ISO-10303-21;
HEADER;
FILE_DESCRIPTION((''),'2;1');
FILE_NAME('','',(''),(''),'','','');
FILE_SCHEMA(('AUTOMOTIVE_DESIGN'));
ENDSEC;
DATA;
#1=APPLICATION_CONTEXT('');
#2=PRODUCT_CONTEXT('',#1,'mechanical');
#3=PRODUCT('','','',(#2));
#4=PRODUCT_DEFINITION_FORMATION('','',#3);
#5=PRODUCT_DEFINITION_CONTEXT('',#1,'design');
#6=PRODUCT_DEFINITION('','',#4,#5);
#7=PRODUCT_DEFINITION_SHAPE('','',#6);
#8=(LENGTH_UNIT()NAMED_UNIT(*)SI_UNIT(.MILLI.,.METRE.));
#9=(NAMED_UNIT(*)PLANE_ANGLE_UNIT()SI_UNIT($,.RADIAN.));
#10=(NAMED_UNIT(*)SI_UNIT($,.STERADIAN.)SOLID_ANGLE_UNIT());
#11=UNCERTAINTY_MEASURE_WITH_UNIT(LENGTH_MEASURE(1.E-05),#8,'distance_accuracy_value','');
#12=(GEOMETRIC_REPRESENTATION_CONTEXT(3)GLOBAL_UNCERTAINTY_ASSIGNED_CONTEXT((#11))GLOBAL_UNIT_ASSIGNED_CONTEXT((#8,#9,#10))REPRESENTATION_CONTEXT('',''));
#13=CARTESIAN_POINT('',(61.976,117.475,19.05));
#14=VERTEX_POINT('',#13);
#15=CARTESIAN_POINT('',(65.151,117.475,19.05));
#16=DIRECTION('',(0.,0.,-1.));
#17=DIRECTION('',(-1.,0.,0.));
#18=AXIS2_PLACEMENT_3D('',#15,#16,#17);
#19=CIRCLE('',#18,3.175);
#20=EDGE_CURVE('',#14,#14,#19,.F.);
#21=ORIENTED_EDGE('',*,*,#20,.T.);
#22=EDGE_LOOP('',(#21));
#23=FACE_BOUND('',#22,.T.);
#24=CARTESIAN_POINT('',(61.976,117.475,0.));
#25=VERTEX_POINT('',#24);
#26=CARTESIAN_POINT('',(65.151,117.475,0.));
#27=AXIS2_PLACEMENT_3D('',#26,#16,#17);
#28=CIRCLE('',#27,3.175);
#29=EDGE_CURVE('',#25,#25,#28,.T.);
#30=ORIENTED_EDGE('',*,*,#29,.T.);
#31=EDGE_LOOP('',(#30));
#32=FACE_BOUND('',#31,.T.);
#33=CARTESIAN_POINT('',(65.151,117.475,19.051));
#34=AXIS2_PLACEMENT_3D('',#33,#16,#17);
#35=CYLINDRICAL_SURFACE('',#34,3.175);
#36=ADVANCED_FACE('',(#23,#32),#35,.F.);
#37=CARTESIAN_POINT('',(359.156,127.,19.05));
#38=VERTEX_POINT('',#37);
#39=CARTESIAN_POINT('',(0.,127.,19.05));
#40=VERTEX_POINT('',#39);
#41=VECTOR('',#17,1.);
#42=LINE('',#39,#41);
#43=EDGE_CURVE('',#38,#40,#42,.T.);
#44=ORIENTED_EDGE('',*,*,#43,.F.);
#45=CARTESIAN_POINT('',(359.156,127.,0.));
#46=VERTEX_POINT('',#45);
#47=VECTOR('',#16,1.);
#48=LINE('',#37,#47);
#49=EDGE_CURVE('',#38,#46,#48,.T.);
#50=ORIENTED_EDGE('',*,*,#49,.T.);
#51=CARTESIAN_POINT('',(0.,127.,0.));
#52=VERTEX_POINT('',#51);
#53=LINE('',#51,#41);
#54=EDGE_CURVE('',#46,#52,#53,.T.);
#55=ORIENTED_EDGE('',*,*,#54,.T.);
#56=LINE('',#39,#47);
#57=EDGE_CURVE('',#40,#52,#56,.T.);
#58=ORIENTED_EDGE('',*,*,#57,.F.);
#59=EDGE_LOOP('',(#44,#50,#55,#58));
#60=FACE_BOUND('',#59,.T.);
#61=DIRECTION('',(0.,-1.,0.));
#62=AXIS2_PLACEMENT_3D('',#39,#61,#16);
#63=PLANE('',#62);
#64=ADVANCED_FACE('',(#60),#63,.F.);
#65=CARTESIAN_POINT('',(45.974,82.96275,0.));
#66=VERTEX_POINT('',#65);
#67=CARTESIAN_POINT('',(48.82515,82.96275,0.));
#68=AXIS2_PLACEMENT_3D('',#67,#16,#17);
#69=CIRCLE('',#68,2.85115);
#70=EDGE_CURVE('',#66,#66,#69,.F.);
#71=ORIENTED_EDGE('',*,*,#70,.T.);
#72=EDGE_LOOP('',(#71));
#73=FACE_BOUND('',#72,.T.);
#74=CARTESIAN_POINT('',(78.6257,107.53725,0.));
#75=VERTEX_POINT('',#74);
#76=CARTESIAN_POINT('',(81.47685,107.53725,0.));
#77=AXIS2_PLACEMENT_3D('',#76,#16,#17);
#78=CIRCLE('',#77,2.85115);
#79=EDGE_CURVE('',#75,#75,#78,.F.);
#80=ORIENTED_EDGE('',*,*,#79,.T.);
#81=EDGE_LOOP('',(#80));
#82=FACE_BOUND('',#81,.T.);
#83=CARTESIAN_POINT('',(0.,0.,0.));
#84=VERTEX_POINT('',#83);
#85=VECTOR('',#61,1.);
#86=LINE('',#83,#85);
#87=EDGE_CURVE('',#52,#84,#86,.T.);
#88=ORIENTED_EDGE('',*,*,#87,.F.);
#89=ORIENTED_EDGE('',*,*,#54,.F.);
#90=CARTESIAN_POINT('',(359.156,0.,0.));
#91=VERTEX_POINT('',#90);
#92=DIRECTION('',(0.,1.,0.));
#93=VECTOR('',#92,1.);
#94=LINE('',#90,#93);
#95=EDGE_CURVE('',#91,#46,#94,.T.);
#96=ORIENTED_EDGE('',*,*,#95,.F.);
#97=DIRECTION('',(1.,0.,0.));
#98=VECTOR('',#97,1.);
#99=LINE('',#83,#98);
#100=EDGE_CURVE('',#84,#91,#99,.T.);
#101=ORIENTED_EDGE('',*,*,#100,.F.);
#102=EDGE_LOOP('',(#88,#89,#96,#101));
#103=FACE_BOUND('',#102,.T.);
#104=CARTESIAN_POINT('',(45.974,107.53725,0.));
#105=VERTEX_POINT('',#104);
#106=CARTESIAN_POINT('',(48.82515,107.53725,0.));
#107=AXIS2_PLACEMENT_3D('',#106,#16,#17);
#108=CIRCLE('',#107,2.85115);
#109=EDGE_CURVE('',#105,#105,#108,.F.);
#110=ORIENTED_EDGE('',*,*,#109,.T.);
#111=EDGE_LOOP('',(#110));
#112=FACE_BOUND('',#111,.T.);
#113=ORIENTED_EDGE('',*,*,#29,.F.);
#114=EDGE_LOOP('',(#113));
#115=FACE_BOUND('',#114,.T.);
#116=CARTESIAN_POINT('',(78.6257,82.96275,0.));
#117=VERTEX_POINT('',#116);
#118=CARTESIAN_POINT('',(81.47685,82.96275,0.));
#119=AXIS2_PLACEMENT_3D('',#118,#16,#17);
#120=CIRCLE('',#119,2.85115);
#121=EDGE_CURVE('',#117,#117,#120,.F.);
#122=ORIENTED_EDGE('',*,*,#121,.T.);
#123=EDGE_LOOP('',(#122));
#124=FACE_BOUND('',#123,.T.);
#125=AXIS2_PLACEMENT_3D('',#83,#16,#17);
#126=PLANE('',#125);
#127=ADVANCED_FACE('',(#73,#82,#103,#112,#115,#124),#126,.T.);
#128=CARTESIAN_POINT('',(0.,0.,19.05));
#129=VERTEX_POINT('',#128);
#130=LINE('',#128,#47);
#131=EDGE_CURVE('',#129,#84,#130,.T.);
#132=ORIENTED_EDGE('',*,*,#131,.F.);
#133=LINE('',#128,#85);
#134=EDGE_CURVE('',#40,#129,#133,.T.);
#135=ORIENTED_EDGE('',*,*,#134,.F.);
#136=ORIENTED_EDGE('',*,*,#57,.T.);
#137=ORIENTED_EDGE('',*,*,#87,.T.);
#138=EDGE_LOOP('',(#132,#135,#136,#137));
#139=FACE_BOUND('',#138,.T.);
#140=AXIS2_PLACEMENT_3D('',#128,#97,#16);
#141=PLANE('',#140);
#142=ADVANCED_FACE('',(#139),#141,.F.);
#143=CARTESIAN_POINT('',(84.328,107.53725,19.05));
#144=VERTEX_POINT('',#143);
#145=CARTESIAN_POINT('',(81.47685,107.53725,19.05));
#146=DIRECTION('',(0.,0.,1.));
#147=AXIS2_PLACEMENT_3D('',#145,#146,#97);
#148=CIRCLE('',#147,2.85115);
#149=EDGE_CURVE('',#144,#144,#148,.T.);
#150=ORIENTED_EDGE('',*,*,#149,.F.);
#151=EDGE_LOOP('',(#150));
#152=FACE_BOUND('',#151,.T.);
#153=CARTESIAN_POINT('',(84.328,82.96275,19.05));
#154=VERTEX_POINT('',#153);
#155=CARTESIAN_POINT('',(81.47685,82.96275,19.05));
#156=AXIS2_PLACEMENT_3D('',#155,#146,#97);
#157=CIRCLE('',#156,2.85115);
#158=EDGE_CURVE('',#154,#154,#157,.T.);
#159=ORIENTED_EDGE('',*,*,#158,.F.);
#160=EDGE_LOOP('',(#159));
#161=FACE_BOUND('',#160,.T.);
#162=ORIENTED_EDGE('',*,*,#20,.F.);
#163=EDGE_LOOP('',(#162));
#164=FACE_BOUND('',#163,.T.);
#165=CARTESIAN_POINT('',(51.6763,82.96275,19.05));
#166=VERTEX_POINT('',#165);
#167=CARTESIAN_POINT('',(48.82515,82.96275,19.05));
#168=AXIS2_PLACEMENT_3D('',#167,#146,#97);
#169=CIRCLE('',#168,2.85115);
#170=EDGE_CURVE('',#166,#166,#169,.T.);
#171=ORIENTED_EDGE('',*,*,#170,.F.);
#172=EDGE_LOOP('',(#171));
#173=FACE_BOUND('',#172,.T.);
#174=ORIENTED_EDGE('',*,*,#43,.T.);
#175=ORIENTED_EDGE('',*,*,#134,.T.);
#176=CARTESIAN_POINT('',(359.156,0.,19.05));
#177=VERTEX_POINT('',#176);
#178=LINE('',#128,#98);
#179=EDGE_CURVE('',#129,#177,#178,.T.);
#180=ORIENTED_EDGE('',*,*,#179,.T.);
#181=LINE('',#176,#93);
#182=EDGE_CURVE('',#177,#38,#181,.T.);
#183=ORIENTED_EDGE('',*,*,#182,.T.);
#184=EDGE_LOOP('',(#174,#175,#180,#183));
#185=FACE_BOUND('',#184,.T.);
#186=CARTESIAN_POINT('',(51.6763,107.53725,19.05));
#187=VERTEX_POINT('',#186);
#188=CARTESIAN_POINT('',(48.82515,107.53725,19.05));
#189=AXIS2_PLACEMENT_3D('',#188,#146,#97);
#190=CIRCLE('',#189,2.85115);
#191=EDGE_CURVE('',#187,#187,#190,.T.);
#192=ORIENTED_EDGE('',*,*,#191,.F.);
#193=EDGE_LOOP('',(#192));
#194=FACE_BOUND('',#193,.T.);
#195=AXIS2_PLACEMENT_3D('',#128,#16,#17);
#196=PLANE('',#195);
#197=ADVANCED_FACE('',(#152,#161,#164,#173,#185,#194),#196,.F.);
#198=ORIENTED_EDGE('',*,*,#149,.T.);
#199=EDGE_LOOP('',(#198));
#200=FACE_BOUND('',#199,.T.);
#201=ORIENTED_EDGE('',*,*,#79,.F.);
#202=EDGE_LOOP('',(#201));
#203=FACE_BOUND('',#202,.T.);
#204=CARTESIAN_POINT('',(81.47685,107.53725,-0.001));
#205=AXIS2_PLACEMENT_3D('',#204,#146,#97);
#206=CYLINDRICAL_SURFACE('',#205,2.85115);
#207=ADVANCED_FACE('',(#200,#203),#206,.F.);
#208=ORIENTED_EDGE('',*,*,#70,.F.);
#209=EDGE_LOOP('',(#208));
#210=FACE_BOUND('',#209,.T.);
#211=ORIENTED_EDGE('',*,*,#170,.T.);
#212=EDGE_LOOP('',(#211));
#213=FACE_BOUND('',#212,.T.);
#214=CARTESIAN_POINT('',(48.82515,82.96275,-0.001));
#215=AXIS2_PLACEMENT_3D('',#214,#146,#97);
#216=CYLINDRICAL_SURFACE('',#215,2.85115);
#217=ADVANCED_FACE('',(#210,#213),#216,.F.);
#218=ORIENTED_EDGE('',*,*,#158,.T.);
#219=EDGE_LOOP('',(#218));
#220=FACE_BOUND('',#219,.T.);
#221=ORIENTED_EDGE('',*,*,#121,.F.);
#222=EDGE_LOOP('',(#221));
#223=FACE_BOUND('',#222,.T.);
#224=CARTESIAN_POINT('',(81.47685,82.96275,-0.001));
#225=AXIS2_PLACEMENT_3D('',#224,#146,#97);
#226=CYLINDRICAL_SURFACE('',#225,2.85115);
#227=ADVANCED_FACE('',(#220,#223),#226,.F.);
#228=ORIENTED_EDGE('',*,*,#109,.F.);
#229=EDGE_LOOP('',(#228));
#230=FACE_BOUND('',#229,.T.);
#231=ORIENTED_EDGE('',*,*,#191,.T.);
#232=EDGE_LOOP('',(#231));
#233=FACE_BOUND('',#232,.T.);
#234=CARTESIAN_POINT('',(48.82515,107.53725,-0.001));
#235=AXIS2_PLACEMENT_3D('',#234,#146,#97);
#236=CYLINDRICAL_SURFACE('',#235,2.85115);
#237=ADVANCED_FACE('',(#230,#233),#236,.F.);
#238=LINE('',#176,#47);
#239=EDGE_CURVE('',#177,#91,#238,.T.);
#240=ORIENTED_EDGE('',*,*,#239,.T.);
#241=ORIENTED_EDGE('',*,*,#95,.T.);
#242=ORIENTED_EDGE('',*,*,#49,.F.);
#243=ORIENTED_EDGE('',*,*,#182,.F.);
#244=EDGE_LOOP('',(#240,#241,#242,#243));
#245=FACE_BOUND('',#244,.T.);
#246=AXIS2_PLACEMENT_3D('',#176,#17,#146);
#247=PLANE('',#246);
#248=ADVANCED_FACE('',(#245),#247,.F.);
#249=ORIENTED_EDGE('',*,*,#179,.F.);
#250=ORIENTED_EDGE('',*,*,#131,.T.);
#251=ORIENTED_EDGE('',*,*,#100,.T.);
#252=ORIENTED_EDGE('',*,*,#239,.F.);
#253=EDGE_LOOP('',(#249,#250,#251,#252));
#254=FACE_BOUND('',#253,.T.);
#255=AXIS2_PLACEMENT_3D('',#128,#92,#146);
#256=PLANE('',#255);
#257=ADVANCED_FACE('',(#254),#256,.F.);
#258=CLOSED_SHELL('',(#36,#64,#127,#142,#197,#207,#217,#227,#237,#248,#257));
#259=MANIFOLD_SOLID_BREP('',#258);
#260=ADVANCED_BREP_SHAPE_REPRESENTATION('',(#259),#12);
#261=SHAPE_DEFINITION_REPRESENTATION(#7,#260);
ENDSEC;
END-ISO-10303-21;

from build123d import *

# Parameters (mm, degrees)
SKETCH1_W           = 359.156
SKETCH1_H           = 127
BOSS_EXTRUDE1_DEPTH = 19.05
CUT_EXTRUDE1_REACH  = 21.05
SKETCH2_R           = 2.85115
CUT_EXTRUDE2_REACH  = 21.05
SKETCH3_R           = 3.175


with BuildPart() as part:
    # Sketch1 → Boss-Extrude1 (new body)
    with BuildSketch(Plane.XY):
        with Locations((179.578, 63.5)):
            Rectangle(SKETCH1_W, SKETCH1_H)
    extrude(amount=BOSS_EXTRUDE1_DEPTH)

    # Sketch2 → Cut-Extrude1 (cut, up to next)
    with BuildSketch(Plane.XY.offset(19.05), mode=Mode.PRIVATE) as cut_extrude1_sk1:
        with Locations((48.82515, 82.96275)):
            Circle(SKETCH2_R)
    cut_extrude1_tool1 = extrude(cut_extrude1_sk1.sketch, amount=-CUT_EXTRUDE1_REACH, mode=Mode.PRIVATE) & part.part
    add(cut_extrude1_tool1.solids().sort_by_distance((48.82515, 82.96275, 19.05))[0], mode=Mode.SUBTRACT)
    # Sketch2 → Cut-Extrude1 (cut, up to next)
    with BuildSketch(Plane.XY.offset(19.05), mode=Mode.PRIVATE) as cut_extrude1_sk2:
        with Locations((48.82515, 107.53725)):
            Circle(SKETCH2_R)
    cut_extrude1_tool2 = extrude(cut_extrude1_sk2.sketch, amount=-CUT_EXTRUDE1_REACH, mode=Mode.PRIVATE) & part.part
    add(cut_extrude1_tool2.solids().sort_by_distance((48.82515, 107.53725, 19.05))[0], mode=Mode.SUBTRACT)
    # Sketch2 → Cut-Extrude1 (cut, up to next)
    with BuildSketch(Plane.XY.offset(19.05), mode=Mode.PRIVATE) as cut_extrude1_sk3:
        with Locations((81.47685, 107.53725)):
            Circle(SKETCH2_R)
    cut_extrude1_tool3 = extrude(cut_extrude1_sk3.sketch, amount=-CUT_EXTRUDE1_REACH, mode=Mode.PRIVATE) & part.part
    add(cut_extrude1_tool3.solids().sort_by_distance((81.47685, 107.53725, 19.05))[0], mode=Mode.SUBTRACT)
    # Sketch2 → Cut-Extrude1 (cut, up to next)
    with BuildSketch(Plane.XY.offset(19.05), mode=Mode.PRIVATE) as cut_extrude1_sk4:
        with Locations((81.47685, 82.96275)):
            Circle(SKETCH2_R)
    cut_extrude1_tool4 = extrude(cut_extrude1_sk4.sketch, amount=-CUT_EXTRUDE1_REACH, mode=Mode.PRIVATE) & part.part
    add(cut_extrude1_tool4.solids().sort_by_distance((81.47685, 82.96275, 19.05))[0], mode=Mode.SUBTRACT)

    # Sketch3 → Cut-Extrude2 (cut, up to next)
    with BuildSketch(Plane(origin=(0, 0, 0), x_dir=(-1, 0, 0), z_dir=(0, 0, -1)), mode=Mode.PRIVATE) as cut_extrude2_sk1:
        with Locations((-65.151, 117.475)):
            Circle(SKETCH3_R)
    cut_extrude2_tool1 = extrude(cut_extrude2_sk1.sketch, amount=-CUT_EXTRUDE2_REACH, mode=Mode.PRIVATE) & part.part
    add(cut_extrude2_tool1.solids().sort_by_distance((65.151, 117.475, 0))[0], mode=Mode.SUBTRACT)


solid = part.part
